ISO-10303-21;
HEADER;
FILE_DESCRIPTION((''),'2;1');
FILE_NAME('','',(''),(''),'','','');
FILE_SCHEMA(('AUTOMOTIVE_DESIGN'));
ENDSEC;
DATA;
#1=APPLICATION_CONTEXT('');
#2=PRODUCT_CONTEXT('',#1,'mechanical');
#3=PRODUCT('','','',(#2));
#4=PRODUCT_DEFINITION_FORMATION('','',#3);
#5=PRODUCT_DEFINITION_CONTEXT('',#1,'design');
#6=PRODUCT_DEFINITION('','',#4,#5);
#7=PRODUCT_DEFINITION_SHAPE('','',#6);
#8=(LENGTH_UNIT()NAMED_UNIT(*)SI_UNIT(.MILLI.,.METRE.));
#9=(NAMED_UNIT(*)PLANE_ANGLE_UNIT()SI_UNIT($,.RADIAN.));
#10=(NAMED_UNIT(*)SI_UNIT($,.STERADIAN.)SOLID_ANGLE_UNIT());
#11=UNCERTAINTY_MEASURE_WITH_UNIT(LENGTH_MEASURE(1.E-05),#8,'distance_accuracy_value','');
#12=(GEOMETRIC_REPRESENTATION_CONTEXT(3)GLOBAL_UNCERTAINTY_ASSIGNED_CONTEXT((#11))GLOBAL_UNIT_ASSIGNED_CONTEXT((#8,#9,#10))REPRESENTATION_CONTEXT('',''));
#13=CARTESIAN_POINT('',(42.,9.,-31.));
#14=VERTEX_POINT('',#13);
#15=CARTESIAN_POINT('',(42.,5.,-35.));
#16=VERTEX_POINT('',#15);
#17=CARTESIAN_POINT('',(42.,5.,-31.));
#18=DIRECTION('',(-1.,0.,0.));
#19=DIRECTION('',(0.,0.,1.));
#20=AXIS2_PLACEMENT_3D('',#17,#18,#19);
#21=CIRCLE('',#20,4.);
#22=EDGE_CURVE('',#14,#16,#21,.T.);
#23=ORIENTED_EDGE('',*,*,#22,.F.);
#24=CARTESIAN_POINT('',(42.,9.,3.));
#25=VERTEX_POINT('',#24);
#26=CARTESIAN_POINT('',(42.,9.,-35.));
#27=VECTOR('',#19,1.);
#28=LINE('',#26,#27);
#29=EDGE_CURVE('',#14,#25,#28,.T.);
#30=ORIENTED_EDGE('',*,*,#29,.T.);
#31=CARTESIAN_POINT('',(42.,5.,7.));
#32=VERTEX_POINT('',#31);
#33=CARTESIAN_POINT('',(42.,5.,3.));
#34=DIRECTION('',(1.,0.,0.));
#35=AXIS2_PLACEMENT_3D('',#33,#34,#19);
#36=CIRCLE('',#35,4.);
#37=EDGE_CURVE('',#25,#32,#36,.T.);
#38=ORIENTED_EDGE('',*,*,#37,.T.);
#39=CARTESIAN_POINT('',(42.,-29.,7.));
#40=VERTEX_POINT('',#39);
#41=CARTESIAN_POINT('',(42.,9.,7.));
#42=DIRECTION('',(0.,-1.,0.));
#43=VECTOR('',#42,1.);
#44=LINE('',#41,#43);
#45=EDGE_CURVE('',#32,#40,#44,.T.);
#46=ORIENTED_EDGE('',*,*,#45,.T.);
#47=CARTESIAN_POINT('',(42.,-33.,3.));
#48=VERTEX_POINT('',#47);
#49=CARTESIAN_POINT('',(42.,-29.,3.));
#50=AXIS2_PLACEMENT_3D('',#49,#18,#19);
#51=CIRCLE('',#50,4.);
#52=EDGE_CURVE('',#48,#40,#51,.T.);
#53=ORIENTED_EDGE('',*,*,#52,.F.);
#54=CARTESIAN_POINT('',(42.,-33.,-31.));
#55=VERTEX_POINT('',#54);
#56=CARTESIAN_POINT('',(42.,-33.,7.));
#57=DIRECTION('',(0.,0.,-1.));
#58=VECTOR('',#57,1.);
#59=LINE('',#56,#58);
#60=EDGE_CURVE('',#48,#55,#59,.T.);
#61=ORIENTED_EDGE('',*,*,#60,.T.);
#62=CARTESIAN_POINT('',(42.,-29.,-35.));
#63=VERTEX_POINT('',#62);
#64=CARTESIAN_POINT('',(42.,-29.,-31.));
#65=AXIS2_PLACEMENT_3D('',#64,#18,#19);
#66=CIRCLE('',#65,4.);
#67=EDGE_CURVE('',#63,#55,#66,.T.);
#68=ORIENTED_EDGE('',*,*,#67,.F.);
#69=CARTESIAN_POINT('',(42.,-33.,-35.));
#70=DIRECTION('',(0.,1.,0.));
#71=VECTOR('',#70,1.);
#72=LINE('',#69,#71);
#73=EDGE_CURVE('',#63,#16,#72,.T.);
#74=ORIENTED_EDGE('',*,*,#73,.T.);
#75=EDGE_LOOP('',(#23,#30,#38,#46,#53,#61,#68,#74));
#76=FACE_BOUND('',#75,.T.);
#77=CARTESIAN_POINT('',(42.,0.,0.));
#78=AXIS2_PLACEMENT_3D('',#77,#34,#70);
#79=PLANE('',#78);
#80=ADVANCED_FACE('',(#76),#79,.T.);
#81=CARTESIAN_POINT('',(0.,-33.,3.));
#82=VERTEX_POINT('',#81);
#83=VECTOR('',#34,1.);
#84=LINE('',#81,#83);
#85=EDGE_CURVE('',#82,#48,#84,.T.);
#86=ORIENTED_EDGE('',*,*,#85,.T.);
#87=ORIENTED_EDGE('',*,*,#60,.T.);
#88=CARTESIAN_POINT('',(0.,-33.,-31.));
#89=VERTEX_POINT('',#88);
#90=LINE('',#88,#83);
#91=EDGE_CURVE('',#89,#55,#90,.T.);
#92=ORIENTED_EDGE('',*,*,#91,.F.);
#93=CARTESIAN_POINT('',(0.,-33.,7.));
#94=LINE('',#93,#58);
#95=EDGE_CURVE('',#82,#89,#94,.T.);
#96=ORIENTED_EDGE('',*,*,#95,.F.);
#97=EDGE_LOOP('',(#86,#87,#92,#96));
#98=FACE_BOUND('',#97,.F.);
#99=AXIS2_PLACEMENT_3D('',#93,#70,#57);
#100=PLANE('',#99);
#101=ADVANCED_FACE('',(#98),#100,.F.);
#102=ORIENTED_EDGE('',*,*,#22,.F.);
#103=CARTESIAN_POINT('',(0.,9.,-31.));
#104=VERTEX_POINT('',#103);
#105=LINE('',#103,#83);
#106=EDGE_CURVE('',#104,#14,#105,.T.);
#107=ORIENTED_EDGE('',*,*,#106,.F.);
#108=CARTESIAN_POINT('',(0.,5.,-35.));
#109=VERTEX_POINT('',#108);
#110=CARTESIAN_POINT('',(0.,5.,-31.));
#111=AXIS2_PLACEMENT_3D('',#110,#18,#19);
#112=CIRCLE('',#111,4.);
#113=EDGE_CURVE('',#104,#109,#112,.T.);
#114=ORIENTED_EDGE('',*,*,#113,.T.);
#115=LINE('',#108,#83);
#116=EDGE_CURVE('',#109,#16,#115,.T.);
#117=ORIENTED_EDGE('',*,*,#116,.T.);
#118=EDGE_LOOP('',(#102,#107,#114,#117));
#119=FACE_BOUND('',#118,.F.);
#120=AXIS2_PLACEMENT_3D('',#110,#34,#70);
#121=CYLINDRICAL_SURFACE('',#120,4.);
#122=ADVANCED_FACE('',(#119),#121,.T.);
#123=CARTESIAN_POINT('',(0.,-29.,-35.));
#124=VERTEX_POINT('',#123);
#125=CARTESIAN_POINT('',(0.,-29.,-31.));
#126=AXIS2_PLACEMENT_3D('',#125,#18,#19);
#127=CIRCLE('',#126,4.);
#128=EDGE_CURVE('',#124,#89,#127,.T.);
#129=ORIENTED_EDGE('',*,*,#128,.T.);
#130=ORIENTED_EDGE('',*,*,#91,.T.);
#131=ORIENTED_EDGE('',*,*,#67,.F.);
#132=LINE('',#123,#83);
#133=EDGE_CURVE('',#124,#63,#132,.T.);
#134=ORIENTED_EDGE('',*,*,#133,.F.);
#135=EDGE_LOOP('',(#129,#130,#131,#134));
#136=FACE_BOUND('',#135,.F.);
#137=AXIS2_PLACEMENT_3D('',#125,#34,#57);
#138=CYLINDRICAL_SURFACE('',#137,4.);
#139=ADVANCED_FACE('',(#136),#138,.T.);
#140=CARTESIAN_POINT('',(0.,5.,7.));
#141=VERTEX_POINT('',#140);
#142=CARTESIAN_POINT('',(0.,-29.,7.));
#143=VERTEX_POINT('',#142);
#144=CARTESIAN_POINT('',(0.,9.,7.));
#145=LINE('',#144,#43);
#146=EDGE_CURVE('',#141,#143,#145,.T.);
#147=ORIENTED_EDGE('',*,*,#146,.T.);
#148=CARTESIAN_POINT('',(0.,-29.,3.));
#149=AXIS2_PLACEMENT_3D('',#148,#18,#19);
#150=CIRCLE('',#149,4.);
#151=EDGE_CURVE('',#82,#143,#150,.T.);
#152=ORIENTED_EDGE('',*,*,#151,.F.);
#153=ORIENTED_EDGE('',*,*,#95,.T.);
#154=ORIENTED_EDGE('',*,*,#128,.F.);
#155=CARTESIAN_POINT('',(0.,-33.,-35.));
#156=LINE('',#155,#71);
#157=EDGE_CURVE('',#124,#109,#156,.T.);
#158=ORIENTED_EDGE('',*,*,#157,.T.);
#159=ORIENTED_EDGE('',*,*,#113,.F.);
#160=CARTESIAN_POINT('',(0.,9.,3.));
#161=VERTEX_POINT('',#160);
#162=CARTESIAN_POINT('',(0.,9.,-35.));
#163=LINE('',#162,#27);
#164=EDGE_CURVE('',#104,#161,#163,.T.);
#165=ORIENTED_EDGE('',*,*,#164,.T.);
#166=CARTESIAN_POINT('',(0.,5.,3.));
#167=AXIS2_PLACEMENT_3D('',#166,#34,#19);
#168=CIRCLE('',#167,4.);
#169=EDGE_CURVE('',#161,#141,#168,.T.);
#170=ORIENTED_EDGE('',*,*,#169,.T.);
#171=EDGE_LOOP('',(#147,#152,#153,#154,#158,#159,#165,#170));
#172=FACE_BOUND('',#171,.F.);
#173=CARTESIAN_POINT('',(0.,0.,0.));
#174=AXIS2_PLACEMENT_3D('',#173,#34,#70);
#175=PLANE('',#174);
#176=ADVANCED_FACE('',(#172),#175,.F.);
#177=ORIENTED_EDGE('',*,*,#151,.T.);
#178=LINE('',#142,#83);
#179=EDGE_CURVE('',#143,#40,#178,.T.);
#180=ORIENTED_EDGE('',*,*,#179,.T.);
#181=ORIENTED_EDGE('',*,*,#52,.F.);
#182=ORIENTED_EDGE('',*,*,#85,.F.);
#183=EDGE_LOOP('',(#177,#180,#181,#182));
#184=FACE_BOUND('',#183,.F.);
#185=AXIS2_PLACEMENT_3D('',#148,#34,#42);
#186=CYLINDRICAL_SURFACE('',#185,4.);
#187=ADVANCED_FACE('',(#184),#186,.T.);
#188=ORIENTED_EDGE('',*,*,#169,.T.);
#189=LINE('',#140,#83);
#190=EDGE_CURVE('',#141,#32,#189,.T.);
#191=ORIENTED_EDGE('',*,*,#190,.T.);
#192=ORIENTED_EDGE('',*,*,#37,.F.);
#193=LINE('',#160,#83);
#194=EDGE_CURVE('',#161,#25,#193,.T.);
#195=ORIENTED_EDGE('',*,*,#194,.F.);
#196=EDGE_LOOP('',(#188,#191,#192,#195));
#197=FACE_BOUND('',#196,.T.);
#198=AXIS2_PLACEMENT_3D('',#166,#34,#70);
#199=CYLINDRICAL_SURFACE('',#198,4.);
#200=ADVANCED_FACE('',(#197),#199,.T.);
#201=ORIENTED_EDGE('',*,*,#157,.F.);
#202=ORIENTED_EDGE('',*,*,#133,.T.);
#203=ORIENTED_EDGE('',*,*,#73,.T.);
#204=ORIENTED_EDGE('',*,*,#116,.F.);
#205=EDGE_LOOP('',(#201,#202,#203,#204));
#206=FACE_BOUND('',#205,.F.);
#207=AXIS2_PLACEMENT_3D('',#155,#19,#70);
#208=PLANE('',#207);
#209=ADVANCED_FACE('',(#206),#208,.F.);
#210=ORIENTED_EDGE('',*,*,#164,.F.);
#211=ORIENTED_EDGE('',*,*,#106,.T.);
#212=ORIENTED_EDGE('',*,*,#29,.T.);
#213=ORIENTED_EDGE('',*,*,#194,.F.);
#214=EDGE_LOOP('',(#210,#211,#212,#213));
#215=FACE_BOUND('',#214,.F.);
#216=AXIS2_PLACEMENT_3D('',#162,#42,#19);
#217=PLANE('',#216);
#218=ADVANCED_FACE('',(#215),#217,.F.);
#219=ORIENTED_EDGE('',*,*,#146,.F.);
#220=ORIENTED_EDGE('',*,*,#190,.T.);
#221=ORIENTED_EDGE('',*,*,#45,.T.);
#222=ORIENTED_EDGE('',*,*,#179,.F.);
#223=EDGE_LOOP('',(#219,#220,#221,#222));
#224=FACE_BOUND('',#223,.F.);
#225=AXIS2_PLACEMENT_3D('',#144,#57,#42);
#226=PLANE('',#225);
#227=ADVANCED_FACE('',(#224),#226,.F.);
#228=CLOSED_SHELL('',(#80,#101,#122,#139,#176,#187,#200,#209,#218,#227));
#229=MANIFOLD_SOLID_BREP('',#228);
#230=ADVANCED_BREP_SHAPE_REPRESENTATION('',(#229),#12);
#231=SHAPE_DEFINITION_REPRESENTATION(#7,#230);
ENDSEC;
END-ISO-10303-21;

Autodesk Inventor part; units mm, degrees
ref_plane "YZ Plane" through (0, 0, 0) normal (1, 0, 0) x (0, 1, 0)
ref_plane "XZ Plane" through (0, 0, 0) normal (0, 1, 0) x (-1, 0, 0)
ref_plane "XY Plane" through (0, 0, 0) normal (0, 0, 1) x (1, 0, 0)
sketch "Esquisse1" plane through (0, 0, 0) normal (1, 0, 0) x (0, 1, 0)
  line L0 (9, 7) -> (-33, 7)
  line L1 (-33, 7) -> (-33, -35)
  line L2 (-33, -35) -> (9, -35)
  line L3 (9, -35) -> (9, 7)
  point P0 (0, 0)
  dimension "d0" = 42
  dimension "d1" = 42
extrude "Extrusion1" add sketch "Esquisse1" along normal blind 42
fillet "Congé1" radius 4 4 edges at (21, 9, -35) (21, 9, 7) (21, -33, -35) (21, -33, 7)
properties part number "moteur_pasApas"
